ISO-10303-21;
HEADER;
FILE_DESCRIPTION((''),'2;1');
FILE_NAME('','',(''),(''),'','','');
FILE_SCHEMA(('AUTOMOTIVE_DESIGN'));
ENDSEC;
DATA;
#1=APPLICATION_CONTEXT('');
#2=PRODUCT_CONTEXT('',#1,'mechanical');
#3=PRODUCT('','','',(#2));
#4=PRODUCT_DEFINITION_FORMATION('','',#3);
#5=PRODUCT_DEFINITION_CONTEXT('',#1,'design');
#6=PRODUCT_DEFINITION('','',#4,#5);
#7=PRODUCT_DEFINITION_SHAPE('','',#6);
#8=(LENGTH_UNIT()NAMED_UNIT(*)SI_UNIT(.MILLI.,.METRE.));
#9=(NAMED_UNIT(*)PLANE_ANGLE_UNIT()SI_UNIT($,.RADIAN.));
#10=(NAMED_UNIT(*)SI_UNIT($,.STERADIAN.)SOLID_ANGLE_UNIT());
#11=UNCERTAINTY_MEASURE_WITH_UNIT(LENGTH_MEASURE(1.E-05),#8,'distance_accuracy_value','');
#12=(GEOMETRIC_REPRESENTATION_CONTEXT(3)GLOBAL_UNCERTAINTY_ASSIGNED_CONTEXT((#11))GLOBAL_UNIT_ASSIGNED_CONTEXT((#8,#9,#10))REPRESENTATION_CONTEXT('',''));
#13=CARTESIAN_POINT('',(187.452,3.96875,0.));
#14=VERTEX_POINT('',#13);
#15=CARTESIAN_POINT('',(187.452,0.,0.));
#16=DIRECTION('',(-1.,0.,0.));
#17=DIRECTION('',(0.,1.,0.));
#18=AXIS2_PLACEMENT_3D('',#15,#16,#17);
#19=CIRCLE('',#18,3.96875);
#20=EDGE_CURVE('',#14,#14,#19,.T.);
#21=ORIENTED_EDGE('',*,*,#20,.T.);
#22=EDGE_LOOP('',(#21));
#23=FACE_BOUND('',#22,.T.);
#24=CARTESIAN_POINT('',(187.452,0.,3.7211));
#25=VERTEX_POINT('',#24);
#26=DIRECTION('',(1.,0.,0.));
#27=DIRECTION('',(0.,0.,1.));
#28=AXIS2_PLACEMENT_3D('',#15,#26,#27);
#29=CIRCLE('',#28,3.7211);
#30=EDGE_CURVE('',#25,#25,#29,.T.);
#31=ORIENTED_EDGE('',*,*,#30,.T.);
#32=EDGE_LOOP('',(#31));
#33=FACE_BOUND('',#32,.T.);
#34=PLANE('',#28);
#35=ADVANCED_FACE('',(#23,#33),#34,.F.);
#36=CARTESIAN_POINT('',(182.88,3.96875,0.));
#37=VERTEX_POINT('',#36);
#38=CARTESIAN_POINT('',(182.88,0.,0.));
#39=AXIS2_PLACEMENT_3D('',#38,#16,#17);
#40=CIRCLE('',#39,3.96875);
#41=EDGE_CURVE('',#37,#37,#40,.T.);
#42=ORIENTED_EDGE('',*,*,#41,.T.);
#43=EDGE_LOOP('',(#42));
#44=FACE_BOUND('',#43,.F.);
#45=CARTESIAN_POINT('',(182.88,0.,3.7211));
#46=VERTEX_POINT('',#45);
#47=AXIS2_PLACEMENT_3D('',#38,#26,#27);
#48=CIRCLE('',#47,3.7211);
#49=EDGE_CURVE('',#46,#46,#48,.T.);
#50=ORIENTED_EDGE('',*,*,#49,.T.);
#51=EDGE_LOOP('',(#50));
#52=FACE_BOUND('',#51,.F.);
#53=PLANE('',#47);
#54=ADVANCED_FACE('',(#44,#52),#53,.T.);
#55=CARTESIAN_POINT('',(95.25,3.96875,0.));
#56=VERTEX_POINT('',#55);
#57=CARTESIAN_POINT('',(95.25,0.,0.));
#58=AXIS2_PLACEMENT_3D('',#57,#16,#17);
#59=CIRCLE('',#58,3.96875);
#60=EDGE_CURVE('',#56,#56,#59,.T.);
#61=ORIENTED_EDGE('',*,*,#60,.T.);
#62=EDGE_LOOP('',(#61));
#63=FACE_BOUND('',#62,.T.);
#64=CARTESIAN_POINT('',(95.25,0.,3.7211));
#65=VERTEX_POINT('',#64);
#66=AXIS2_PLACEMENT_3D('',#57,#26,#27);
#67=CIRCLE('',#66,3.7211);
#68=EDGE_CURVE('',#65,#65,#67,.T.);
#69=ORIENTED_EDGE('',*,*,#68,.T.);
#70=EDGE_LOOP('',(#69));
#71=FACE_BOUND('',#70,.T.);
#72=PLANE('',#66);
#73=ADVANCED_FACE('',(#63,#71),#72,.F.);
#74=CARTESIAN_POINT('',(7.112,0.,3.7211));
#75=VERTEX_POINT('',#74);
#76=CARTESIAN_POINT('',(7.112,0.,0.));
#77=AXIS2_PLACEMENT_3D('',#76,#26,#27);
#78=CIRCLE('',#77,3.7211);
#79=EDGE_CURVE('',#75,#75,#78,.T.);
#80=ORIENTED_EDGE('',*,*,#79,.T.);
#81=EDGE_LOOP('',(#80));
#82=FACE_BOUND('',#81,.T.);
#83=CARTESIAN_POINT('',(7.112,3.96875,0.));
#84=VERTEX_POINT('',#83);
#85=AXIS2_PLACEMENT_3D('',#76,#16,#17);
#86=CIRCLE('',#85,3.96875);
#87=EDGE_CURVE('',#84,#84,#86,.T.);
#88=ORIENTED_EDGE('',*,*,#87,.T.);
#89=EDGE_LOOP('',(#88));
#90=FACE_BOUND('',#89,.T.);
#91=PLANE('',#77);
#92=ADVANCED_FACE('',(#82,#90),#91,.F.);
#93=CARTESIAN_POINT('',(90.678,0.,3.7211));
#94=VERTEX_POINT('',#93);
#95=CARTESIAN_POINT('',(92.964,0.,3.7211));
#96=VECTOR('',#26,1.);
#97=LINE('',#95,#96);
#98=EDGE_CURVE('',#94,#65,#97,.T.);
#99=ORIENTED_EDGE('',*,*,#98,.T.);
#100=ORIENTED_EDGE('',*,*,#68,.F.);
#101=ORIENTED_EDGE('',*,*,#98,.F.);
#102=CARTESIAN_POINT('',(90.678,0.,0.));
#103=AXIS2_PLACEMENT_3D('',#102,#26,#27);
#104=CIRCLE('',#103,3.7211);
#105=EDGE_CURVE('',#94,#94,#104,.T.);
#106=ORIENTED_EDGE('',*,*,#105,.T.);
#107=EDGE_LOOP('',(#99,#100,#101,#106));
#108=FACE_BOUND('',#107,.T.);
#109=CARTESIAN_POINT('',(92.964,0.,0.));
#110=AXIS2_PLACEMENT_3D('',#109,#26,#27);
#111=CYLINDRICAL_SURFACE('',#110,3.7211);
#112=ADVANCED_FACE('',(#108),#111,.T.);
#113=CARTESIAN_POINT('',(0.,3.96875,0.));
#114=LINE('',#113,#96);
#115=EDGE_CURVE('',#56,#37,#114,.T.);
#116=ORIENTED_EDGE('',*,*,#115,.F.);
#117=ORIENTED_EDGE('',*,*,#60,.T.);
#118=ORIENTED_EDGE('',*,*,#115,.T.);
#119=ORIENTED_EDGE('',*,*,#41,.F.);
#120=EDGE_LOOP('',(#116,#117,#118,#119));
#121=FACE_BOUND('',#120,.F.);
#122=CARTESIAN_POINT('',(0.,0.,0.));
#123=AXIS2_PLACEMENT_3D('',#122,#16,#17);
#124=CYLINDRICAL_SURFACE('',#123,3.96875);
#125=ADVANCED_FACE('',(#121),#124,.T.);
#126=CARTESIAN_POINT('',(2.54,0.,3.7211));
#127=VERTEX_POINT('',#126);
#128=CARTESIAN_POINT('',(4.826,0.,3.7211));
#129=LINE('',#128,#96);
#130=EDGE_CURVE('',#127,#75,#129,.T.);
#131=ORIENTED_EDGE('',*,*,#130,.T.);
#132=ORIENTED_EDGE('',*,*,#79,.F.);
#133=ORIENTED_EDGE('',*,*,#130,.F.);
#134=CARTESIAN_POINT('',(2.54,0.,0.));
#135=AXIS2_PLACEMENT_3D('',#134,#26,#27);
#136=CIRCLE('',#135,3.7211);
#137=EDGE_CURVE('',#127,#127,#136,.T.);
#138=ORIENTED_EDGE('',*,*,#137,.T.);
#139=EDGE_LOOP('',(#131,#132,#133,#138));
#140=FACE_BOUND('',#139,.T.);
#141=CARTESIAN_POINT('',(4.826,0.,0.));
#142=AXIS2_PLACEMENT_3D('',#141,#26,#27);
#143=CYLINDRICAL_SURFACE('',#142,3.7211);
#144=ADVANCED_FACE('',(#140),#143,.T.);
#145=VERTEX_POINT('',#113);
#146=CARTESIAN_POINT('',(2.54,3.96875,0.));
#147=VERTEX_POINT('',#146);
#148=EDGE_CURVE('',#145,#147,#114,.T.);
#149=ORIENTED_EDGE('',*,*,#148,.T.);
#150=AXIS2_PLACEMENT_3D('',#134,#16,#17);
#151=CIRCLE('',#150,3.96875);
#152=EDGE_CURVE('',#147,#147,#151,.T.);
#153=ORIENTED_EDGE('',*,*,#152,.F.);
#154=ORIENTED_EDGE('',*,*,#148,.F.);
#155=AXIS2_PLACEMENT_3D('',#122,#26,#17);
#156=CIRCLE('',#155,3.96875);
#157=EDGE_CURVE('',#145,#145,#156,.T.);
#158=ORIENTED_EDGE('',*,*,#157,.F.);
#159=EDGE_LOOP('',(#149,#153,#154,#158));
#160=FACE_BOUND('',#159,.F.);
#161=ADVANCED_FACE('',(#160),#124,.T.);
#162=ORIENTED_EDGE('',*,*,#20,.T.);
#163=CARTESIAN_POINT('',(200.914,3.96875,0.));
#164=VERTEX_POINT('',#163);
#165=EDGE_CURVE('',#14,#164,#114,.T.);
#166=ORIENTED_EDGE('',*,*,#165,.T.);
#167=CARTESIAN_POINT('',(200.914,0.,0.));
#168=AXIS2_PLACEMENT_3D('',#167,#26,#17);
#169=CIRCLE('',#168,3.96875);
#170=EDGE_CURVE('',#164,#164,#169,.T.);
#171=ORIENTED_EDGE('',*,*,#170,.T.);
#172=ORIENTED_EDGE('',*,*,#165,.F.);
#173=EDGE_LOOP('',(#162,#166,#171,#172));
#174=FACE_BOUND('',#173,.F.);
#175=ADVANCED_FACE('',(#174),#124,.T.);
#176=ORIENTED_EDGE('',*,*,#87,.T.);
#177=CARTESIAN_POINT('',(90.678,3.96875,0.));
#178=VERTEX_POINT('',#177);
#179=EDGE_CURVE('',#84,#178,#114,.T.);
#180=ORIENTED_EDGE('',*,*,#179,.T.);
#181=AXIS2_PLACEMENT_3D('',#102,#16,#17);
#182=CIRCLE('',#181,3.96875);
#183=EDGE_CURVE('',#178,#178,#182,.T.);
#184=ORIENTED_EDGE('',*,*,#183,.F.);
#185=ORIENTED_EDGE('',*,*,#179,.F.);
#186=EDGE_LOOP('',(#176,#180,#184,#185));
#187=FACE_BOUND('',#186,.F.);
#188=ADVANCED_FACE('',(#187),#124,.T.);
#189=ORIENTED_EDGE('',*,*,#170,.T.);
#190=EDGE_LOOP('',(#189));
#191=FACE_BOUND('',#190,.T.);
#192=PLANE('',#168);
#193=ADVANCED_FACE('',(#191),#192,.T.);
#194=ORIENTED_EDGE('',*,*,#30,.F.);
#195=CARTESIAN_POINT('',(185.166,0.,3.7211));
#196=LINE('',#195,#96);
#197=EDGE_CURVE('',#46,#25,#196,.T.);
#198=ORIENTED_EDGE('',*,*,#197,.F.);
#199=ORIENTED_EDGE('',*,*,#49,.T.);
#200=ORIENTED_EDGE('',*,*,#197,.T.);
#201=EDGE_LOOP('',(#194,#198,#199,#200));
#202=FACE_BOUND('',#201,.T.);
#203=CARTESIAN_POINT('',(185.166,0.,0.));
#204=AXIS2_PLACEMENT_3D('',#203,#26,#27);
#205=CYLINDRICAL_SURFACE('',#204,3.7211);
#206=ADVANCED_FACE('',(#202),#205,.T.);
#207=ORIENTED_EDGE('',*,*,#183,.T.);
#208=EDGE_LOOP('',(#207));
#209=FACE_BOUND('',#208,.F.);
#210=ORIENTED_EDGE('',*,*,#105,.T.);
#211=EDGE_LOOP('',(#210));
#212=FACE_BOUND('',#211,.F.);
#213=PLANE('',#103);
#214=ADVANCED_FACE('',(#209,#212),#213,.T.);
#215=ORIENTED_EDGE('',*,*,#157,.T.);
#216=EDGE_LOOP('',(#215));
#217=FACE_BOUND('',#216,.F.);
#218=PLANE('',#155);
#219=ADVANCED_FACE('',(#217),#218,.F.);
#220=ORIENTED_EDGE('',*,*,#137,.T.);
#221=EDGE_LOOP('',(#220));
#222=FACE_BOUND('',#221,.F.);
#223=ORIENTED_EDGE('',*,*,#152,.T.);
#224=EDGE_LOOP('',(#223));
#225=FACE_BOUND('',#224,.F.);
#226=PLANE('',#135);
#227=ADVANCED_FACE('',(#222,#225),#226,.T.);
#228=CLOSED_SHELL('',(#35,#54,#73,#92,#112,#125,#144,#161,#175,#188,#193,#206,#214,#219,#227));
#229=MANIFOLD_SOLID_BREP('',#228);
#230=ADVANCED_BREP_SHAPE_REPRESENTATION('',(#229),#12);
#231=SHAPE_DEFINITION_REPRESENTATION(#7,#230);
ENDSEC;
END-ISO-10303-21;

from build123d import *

# Parameters (mm, degrees)
F0_R     = 3.96875
F1_DEPTH = 200.914
F2_W     = 4.572
F2_H     = 0.24765


with BuildPart() as f1:
    # F0 (on Right) → F1 (new body)
    with BuildSketch(Plane.YZ):
        Circle(F0_R)
    extrude(amount=F1_DEPTH)

    # F2 (on Front) → F3 (revolve, cut)
    with BuildSketch(Plane.XZ):
        with Locations((185.166, 3.844925)):
            Rectangle(F2_W, F2_H)
        with Locations((92.964, 3.844925)):
            Rectangle(F2_W, F2_H)
        with Locations((4.826, 3.844925)):
            Rectangle(F2_W, F2_H)
    revolve(axis=Axis((98.498309, 0, 0), (1, 0, 0)), mode=Mode.SUBTRACT)


solid = f1.part
